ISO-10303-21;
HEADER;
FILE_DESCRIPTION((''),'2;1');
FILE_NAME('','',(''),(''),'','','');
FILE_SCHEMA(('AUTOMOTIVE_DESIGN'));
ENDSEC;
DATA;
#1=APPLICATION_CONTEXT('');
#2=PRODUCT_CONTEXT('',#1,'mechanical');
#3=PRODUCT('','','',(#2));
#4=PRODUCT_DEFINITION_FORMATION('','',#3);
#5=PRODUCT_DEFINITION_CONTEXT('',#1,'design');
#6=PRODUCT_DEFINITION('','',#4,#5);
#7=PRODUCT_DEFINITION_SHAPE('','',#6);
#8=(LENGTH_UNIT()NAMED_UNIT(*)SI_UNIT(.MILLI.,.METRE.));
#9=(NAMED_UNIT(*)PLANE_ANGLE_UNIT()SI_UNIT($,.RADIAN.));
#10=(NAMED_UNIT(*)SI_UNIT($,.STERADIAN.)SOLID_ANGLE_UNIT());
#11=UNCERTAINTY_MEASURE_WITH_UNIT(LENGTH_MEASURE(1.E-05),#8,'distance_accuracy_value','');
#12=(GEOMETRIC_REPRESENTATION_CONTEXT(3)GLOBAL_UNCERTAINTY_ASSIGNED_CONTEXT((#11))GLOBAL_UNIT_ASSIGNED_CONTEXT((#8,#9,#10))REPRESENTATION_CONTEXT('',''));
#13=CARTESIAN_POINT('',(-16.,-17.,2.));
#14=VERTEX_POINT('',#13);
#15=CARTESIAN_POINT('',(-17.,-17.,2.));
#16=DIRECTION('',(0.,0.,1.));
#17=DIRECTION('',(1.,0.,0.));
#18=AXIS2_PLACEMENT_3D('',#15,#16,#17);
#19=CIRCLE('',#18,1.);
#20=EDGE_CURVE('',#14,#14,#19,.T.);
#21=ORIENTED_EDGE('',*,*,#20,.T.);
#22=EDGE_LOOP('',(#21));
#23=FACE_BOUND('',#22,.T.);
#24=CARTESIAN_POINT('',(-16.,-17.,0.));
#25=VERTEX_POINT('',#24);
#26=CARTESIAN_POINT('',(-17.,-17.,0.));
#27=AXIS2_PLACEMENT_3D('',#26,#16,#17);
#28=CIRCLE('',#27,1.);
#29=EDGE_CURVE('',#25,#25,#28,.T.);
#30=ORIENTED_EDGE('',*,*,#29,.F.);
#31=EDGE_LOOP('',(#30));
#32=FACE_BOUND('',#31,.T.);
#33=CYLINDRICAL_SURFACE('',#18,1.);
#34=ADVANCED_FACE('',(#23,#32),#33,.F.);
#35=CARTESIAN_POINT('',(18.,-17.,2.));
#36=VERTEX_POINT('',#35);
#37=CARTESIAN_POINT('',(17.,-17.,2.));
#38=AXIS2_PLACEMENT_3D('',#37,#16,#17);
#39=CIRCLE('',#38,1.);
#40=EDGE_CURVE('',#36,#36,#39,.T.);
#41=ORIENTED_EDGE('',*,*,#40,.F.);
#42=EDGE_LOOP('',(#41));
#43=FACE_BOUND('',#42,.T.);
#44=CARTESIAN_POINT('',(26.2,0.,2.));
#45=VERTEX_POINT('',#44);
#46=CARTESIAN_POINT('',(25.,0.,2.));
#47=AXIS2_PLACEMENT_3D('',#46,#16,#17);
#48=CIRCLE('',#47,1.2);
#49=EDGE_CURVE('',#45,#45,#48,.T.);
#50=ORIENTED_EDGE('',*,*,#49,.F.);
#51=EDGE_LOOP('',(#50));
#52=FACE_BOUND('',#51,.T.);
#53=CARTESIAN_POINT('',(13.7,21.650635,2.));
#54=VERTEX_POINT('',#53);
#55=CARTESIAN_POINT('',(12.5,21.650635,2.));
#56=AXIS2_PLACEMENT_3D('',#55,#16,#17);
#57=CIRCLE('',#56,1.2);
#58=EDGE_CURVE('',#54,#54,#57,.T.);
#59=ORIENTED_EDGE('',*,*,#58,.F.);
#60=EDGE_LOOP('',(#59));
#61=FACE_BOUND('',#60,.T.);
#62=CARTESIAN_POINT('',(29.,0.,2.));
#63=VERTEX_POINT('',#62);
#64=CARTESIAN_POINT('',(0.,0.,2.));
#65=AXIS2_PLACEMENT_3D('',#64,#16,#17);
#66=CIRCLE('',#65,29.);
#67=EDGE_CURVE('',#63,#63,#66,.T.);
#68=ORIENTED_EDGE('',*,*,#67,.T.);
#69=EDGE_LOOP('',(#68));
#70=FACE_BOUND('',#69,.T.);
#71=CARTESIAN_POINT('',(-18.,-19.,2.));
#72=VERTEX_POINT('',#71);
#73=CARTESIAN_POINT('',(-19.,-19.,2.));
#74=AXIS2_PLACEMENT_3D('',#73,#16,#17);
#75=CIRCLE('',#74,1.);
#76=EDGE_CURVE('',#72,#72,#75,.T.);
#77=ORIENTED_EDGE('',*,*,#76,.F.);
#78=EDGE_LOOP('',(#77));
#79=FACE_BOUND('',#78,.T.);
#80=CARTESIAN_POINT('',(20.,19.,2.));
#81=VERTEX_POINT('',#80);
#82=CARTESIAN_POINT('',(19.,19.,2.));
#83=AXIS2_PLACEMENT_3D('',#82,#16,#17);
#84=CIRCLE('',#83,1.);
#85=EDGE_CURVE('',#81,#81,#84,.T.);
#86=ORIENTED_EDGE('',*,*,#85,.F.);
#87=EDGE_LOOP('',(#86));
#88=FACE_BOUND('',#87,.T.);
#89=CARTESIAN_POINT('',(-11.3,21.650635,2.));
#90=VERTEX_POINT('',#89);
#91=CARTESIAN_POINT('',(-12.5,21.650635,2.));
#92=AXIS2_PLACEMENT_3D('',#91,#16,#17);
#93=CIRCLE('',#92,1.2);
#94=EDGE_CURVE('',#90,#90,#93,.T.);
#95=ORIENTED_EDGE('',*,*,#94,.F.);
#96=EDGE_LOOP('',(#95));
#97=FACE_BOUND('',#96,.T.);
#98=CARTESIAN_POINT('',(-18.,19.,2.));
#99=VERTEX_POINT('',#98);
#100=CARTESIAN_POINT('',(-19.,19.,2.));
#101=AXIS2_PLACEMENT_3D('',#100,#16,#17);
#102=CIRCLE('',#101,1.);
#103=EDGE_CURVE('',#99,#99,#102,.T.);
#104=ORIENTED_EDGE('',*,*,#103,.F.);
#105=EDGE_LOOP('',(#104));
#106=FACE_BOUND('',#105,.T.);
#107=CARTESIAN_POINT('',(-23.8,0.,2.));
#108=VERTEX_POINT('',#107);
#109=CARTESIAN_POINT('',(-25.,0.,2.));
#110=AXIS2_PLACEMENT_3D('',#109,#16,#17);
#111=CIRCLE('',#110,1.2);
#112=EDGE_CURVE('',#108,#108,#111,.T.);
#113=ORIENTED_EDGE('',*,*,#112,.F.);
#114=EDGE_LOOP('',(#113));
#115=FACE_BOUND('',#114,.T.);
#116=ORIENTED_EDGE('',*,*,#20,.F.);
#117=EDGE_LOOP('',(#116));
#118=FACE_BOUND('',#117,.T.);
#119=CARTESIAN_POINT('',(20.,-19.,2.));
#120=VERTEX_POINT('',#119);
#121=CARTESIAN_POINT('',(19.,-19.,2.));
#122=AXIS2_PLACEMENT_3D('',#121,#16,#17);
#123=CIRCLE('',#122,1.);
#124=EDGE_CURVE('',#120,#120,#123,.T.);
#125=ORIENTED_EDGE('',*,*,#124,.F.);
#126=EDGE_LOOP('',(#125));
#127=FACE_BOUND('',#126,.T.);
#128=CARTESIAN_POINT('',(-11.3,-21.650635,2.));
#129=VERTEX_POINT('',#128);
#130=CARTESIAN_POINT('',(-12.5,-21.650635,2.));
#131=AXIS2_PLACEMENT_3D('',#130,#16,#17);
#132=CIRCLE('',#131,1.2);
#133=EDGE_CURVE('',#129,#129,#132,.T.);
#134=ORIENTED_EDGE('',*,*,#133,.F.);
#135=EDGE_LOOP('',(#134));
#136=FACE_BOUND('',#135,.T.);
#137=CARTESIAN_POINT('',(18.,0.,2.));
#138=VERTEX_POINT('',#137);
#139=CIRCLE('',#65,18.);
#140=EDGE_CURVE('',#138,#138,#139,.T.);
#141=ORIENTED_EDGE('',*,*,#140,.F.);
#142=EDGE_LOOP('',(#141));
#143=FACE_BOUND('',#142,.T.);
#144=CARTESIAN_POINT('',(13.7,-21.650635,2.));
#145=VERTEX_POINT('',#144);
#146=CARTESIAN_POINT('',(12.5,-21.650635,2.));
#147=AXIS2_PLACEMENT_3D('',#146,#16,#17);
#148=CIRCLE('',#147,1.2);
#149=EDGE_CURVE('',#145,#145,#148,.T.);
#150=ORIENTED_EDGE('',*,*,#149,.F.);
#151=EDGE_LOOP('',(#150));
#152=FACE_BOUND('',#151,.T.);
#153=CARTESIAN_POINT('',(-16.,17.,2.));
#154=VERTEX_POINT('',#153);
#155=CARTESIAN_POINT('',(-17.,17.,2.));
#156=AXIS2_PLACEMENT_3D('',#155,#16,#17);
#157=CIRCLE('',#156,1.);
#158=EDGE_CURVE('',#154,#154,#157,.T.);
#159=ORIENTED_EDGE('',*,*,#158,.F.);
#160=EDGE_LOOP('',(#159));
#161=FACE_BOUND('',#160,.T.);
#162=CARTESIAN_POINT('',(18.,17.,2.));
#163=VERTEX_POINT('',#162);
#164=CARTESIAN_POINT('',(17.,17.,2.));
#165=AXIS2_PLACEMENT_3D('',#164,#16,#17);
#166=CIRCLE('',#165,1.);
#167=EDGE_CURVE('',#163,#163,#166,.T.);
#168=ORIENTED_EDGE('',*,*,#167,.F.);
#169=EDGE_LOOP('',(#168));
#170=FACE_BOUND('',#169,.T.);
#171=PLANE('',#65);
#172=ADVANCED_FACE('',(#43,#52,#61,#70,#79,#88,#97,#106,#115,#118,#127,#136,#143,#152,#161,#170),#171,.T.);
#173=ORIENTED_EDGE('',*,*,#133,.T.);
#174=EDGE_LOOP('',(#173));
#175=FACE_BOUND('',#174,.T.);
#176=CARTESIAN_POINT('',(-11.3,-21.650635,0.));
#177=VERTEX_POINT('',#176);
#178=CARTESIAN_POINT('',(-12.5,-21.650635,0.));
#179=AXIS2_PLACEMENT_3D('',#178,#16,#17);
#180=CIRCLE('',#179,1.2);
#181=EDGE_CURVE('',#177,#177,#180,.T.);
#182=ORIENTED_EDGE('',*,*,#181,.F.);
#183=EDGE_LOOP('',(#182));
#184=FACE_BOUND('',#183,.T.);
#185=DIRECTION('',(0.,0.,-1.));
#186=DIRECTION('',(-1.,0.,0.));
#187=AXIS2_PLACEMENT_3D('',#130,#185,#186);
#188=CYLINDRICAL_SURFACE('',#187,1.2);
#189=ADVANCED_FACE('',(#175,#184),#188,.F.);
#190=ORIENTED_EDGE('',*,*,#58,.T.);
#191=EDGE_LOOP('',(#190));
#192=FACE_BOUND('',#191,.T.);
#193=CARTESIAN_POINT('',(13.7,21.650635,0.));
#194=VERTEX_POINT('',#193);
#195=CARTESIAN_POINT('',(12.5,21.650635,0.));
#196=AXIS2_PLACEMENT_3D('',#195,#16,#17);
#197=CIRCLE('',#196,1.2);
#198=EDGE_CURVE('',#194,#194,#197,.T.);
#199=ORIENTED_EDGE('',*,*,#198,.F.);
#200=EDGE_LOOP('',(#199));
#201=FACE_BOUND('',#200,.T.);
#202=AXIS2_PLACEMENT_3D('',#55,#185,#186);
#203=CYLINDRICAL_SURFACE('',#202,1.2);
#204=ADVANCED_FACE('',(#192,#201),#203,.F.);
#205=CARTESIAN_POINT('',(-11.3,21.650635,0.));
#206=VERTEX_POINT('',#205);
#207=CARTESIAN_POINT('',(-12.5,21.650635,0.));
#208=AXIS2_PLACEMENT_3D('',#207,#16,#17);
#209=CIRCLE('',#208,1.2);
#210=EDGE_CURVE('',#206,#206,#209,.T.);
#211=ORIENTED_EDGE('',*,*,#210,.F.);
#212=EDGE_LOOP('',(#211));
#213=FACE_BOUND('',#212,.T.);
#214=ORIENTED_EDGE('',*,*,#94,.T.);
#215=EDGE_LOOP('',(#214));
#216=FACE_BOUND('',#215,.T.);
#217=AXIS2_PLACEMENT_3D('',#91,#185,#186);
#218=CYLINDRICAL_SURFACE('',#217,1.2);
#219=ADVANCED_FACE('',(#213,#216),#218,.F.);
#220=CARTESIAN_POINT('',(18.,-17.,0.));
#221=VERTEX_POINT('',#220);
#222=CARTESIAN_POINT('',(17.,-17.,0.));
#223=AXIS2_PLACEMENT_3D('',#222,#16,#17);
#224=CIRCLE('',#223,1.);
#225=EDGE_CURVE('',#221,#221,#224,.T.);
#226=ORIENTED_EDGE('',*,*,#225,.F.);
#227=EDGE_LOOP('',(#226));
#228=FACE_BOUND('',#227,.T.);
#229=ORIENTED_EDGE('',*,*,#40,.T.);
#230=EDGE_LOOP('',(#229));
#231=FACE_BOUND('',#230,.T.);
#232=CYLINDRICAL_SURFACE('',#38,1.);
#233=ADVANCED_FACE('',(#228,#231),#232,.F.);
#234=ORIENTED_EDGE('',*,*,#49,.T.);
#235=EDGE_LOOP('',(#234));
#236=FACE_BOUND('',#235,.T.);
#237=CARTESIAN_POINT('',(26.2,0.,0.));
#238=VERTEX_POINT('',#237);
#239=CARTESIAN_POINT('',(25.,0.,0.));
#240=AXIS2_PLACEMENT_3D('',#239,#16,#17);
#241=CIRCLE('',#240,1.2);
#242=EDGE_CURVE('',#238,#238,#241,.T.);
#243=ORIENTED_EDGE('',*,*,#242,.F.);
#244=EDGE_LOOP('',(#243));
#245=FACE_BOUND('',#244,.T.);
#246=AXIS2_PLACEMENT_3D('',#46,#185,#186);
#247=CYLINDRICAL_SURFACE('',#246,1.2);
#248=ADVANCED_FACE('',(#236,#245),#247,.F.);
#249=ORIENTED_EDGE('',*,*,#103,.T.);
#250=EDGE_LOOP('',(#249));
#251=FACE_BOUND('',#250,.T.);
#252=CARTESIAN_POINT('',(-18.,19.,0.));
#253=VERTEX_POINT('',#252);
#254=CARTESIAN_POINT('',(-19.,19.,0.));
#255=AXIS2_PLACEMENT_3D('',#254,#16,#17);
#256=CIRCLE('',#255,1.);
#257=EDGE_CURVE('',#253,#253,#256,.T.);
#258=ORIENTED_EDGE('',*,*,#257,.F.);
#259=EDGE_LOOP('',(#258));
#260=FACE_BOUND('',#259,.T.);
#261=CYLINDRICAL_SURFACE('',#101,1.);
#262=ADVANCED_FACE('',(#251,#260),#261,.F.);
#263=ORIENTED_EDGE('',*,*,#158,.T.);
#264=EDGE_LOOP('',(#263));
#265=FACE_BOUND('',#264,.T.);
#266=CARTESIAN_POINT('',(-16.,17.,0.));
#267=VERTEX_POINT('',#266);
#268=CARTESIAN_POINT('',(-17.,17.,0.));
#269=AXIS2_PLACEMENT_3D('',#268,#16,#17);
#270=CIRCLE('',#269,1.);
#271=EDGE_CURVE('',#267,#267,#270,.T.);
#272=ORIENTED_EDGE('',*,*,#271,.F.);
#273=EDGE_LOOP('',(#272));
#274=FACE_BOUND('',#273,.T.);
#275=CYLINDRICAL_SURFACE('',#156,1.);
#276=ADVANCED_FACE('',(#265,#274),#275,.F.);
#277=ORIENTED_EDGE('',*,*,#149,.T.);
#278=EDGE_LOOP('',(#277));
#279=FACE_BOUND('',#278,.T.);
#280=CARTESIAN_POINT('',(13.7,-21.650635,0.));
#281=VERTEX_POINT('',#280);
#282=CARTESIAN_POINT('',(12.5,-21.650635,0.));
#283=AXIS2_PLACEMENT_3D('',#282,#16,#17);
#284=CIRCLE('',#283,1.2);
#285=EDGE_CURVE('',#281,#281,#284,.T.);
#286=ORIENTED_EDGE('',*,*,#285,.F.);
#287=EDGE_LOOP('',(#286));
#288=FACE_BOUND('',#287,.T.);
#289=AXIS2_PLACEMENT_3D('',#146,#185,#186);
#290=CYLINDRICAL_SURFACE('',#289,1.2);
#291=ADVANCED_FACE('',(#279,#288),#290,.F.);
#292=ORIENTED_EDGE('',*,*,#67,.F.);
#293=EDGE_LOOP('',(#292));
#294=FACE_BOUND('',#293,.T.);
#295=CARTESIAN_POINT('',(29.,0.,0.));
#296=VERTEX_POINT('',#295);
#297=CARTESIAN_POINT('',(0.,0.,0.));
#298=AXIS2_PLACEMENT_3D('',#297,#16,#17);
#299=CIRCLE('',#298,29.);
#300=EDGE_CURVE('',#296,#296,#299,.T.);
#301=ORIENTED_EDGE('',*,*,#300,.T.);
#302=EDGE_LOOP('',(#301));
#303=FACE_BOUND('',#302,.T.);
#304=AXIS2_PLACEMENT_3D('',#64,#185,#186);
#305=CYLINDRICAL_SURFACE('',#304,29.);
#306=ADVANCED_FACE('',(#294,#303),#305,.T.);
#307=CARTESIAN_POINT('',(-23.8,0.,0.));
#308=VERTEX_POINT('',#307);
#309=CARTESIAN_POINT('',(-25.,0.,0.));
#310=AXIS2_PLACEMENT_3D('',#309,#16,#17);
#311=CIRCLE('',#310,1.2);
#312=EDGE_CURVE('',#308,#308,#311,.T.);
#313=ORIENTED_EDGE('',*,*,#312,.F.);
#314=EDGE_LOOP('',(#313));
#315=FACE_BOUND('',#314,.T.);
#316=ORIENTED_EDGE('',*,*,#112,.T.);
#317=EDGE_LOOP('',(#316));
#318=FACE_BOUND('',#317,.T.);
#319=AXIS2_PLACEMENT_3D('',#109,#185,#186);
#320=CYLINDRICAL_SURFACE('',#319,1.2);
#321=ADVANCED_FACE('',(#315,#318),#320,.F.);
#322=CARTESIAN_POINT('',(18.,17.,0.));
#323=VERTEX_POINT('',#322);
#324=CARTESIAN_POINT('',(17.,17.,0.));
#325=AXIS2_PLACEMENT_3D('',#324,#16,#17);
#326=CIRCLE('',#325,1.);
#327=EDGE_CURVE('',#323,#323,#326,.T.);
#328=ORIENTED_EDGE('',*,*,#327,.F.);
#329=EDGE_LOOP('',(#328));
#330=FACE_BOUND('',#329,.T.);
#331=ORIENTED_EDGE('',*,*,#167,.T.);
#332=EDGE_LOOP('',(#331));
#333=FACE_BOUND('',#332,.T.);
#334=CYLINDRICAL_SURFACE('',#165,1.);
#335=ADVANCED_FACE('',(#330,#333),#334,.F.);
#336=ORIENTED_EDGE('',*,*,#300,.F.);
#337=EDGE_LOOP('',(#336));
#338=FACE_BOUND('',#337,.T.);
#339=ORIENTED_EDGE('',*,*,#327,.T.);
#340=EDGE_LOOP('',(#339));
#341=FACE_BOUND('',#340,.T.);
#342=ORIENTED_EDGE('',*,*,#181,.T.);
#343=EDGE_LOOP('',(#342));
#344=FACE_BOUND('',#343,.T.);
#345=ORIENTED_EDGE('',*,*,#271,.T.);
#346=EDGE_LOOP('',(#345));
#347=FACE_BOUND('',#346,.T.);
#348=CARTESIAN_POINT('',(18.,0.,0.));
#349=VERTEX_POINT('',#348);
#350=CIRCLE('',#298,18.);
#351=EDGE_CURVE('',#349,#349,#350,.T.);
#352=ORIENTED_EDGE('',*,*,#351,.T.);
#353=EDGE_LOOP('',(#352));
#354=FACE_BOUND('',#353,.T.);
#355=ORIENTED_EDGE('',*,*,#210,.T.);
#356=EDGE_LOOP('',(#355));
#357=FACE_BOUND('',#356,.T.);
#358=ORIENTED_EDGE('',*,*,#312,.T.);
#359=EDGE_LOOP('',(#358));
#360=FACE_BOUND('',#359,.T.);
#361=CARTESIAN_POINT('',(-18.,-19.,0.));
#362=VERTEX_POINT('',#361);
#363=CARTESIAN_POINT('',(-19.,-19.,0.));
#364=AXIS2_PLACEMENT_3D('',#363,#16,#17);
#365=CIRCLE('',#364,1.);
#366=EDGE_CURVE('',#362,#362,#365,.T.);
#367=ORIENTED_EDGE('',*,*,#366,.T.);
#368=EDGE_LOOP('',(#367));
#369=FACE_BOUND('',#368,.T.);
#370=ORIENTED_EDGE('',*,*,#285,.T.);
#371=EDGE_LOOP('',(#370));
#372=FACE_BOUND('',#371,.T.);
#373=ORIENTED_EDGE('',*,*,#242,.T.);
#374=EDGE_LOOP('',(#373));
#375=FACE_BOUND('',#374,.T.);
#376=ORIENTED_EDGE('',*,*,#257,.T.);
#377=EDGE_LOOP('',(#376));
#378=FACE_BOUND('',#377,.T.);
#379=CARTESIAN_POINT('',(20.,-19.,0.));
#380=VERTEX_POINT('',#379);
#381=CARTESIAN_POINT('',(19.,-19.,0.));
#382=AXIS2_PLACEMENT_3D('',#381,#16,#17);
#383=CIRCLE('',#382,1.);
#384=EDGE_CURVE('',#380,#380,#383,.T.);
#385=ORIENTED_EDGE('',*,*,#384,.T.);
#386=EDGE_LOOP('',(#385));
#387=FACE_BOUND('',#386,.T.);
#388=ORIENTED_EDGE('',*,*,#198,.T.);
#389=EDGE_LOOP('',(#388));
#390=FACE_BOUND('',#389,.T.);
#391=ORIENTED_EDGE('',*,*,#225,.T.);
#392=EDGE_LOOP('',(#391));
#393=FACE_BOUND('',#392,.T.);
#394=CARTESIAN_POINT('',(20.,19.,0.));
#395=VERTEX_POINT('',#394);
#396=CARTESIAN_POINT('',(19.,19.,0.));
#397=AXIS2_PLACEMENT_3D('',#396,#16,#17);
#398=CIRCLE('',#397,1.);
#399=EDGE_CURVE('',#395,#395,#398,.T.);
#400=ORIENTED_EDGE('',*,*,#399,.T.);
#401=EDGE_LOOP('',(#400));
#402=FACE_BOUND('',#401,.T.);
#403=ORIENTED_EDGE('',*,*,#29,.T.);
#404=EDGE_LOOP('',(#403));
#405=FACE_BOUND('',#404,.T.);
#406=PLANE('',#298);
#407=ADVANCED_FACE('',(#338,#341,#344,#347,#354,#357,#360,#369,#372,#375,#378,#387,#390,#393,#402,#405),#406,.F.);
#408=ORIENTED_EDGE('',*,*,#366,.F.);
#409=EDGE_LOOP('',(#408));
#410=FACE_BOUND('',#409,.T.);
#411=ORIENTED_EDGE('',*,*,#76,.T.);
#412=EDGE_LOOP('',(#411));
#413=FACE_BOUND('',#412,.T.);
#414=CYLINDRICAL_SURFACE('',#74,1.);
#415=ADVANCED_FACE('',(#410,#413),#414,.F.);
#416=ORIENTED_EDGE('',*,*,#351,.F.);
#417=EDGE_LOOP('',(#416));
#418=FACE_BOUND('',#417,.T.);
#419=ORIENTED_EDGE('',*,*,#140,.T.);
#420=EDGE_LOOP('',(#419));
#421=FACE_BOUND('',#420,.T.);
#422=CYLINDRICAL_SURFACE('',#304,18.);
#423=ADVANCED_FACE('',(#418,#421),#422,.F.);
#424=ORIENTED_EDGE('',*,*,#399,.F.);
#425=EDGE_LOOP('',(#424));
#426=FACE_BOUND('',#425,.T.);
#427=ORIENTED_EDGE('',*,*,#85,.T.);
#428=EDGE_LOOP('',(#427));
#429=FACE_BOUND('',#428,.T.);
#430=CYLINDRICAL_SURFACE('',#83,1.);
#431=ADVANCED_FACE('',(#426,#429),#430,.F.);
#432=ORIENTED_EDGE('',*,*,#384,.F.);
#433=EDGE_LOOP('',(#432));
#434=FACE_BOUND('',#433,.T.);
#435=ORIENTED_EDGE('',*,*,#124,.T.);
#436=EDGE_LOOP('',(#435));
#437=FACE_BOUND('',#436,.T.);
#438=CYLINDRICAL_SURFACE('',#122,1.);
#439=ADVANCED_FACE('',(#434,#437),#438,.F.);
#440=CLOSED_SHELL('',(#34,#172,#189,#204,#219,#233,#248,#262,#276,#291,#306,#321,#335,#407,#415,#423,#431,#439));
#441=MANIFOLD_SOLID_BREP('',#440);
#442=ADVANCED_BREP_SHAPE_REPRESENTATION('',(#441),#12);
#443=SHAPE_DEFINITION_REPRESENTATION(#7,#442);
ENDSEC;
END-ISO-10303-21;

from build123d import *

# Parameters (mm, degrees)
SKETCH1_R             = 18
BOSS_EXTRUDE1_DEPTH   = 2
F_2_0MM_DOWEL_HOLE1_D = 2
SKETCH5_R             = 1.2
CUT_EXTRUDE4_DEPTH    = 42.060930335


with BuildPart() as part:
    # Sketch1 → Boss-Extrude1 (new body)
    with BuildSketch(Plane.XY):
        with BuildLine():
            ThreePointArc((-29, 0), (0, -29), (29, 0))
            ThreePointArc((29, 0), (0, 29), (-29, 0))
        make_face()
        Circle(SKETCH1_R, mode=Mode.SUBTRACT)
    extrude(amount=BOSS_EXTRUDE1_DEPTH)

    # Ø2.0mm Dowel Hole1 (through all)
    with Locations(Plane(origin=(-19, 19, 2), x_dir=(1, 0, 0), z_dir=(0, 0, 1))):
        with Locations((0, 0), (2, -2), (36, -2), (38, 0), (36, -36), (38, -38), (0, -38), (2, -36)):
            Hole(F_2_0MM_DOWEL_HOLE1_D / 2)

    # Sketch5 → Cut-Extrude4 (cut, through all)
    with BuildSketch(Plane.XY):
        with Locations((-12.5, 21.650635095)):
            Circle(SKETCH5_R)
        with Locations((-25, 0)):
            Circle(SKETCH5_R)
        with Locations((25, 0)):
            Circle(SKETCH5_R)
        with Locations((-12.5, -21.650635095)):
            Circle(SKETCH5_R)
        with Locations((12.5, 21.650635095)):
            Circle(SKETCH5_R)
        with Locations((12.5, -21.650635095)):
            Circle(SKETCH5_R)
    extrude(amount=CUT_EXTRUDE4_DEPTH, mode=Mode.SUBTRACT)


solid = part.part
